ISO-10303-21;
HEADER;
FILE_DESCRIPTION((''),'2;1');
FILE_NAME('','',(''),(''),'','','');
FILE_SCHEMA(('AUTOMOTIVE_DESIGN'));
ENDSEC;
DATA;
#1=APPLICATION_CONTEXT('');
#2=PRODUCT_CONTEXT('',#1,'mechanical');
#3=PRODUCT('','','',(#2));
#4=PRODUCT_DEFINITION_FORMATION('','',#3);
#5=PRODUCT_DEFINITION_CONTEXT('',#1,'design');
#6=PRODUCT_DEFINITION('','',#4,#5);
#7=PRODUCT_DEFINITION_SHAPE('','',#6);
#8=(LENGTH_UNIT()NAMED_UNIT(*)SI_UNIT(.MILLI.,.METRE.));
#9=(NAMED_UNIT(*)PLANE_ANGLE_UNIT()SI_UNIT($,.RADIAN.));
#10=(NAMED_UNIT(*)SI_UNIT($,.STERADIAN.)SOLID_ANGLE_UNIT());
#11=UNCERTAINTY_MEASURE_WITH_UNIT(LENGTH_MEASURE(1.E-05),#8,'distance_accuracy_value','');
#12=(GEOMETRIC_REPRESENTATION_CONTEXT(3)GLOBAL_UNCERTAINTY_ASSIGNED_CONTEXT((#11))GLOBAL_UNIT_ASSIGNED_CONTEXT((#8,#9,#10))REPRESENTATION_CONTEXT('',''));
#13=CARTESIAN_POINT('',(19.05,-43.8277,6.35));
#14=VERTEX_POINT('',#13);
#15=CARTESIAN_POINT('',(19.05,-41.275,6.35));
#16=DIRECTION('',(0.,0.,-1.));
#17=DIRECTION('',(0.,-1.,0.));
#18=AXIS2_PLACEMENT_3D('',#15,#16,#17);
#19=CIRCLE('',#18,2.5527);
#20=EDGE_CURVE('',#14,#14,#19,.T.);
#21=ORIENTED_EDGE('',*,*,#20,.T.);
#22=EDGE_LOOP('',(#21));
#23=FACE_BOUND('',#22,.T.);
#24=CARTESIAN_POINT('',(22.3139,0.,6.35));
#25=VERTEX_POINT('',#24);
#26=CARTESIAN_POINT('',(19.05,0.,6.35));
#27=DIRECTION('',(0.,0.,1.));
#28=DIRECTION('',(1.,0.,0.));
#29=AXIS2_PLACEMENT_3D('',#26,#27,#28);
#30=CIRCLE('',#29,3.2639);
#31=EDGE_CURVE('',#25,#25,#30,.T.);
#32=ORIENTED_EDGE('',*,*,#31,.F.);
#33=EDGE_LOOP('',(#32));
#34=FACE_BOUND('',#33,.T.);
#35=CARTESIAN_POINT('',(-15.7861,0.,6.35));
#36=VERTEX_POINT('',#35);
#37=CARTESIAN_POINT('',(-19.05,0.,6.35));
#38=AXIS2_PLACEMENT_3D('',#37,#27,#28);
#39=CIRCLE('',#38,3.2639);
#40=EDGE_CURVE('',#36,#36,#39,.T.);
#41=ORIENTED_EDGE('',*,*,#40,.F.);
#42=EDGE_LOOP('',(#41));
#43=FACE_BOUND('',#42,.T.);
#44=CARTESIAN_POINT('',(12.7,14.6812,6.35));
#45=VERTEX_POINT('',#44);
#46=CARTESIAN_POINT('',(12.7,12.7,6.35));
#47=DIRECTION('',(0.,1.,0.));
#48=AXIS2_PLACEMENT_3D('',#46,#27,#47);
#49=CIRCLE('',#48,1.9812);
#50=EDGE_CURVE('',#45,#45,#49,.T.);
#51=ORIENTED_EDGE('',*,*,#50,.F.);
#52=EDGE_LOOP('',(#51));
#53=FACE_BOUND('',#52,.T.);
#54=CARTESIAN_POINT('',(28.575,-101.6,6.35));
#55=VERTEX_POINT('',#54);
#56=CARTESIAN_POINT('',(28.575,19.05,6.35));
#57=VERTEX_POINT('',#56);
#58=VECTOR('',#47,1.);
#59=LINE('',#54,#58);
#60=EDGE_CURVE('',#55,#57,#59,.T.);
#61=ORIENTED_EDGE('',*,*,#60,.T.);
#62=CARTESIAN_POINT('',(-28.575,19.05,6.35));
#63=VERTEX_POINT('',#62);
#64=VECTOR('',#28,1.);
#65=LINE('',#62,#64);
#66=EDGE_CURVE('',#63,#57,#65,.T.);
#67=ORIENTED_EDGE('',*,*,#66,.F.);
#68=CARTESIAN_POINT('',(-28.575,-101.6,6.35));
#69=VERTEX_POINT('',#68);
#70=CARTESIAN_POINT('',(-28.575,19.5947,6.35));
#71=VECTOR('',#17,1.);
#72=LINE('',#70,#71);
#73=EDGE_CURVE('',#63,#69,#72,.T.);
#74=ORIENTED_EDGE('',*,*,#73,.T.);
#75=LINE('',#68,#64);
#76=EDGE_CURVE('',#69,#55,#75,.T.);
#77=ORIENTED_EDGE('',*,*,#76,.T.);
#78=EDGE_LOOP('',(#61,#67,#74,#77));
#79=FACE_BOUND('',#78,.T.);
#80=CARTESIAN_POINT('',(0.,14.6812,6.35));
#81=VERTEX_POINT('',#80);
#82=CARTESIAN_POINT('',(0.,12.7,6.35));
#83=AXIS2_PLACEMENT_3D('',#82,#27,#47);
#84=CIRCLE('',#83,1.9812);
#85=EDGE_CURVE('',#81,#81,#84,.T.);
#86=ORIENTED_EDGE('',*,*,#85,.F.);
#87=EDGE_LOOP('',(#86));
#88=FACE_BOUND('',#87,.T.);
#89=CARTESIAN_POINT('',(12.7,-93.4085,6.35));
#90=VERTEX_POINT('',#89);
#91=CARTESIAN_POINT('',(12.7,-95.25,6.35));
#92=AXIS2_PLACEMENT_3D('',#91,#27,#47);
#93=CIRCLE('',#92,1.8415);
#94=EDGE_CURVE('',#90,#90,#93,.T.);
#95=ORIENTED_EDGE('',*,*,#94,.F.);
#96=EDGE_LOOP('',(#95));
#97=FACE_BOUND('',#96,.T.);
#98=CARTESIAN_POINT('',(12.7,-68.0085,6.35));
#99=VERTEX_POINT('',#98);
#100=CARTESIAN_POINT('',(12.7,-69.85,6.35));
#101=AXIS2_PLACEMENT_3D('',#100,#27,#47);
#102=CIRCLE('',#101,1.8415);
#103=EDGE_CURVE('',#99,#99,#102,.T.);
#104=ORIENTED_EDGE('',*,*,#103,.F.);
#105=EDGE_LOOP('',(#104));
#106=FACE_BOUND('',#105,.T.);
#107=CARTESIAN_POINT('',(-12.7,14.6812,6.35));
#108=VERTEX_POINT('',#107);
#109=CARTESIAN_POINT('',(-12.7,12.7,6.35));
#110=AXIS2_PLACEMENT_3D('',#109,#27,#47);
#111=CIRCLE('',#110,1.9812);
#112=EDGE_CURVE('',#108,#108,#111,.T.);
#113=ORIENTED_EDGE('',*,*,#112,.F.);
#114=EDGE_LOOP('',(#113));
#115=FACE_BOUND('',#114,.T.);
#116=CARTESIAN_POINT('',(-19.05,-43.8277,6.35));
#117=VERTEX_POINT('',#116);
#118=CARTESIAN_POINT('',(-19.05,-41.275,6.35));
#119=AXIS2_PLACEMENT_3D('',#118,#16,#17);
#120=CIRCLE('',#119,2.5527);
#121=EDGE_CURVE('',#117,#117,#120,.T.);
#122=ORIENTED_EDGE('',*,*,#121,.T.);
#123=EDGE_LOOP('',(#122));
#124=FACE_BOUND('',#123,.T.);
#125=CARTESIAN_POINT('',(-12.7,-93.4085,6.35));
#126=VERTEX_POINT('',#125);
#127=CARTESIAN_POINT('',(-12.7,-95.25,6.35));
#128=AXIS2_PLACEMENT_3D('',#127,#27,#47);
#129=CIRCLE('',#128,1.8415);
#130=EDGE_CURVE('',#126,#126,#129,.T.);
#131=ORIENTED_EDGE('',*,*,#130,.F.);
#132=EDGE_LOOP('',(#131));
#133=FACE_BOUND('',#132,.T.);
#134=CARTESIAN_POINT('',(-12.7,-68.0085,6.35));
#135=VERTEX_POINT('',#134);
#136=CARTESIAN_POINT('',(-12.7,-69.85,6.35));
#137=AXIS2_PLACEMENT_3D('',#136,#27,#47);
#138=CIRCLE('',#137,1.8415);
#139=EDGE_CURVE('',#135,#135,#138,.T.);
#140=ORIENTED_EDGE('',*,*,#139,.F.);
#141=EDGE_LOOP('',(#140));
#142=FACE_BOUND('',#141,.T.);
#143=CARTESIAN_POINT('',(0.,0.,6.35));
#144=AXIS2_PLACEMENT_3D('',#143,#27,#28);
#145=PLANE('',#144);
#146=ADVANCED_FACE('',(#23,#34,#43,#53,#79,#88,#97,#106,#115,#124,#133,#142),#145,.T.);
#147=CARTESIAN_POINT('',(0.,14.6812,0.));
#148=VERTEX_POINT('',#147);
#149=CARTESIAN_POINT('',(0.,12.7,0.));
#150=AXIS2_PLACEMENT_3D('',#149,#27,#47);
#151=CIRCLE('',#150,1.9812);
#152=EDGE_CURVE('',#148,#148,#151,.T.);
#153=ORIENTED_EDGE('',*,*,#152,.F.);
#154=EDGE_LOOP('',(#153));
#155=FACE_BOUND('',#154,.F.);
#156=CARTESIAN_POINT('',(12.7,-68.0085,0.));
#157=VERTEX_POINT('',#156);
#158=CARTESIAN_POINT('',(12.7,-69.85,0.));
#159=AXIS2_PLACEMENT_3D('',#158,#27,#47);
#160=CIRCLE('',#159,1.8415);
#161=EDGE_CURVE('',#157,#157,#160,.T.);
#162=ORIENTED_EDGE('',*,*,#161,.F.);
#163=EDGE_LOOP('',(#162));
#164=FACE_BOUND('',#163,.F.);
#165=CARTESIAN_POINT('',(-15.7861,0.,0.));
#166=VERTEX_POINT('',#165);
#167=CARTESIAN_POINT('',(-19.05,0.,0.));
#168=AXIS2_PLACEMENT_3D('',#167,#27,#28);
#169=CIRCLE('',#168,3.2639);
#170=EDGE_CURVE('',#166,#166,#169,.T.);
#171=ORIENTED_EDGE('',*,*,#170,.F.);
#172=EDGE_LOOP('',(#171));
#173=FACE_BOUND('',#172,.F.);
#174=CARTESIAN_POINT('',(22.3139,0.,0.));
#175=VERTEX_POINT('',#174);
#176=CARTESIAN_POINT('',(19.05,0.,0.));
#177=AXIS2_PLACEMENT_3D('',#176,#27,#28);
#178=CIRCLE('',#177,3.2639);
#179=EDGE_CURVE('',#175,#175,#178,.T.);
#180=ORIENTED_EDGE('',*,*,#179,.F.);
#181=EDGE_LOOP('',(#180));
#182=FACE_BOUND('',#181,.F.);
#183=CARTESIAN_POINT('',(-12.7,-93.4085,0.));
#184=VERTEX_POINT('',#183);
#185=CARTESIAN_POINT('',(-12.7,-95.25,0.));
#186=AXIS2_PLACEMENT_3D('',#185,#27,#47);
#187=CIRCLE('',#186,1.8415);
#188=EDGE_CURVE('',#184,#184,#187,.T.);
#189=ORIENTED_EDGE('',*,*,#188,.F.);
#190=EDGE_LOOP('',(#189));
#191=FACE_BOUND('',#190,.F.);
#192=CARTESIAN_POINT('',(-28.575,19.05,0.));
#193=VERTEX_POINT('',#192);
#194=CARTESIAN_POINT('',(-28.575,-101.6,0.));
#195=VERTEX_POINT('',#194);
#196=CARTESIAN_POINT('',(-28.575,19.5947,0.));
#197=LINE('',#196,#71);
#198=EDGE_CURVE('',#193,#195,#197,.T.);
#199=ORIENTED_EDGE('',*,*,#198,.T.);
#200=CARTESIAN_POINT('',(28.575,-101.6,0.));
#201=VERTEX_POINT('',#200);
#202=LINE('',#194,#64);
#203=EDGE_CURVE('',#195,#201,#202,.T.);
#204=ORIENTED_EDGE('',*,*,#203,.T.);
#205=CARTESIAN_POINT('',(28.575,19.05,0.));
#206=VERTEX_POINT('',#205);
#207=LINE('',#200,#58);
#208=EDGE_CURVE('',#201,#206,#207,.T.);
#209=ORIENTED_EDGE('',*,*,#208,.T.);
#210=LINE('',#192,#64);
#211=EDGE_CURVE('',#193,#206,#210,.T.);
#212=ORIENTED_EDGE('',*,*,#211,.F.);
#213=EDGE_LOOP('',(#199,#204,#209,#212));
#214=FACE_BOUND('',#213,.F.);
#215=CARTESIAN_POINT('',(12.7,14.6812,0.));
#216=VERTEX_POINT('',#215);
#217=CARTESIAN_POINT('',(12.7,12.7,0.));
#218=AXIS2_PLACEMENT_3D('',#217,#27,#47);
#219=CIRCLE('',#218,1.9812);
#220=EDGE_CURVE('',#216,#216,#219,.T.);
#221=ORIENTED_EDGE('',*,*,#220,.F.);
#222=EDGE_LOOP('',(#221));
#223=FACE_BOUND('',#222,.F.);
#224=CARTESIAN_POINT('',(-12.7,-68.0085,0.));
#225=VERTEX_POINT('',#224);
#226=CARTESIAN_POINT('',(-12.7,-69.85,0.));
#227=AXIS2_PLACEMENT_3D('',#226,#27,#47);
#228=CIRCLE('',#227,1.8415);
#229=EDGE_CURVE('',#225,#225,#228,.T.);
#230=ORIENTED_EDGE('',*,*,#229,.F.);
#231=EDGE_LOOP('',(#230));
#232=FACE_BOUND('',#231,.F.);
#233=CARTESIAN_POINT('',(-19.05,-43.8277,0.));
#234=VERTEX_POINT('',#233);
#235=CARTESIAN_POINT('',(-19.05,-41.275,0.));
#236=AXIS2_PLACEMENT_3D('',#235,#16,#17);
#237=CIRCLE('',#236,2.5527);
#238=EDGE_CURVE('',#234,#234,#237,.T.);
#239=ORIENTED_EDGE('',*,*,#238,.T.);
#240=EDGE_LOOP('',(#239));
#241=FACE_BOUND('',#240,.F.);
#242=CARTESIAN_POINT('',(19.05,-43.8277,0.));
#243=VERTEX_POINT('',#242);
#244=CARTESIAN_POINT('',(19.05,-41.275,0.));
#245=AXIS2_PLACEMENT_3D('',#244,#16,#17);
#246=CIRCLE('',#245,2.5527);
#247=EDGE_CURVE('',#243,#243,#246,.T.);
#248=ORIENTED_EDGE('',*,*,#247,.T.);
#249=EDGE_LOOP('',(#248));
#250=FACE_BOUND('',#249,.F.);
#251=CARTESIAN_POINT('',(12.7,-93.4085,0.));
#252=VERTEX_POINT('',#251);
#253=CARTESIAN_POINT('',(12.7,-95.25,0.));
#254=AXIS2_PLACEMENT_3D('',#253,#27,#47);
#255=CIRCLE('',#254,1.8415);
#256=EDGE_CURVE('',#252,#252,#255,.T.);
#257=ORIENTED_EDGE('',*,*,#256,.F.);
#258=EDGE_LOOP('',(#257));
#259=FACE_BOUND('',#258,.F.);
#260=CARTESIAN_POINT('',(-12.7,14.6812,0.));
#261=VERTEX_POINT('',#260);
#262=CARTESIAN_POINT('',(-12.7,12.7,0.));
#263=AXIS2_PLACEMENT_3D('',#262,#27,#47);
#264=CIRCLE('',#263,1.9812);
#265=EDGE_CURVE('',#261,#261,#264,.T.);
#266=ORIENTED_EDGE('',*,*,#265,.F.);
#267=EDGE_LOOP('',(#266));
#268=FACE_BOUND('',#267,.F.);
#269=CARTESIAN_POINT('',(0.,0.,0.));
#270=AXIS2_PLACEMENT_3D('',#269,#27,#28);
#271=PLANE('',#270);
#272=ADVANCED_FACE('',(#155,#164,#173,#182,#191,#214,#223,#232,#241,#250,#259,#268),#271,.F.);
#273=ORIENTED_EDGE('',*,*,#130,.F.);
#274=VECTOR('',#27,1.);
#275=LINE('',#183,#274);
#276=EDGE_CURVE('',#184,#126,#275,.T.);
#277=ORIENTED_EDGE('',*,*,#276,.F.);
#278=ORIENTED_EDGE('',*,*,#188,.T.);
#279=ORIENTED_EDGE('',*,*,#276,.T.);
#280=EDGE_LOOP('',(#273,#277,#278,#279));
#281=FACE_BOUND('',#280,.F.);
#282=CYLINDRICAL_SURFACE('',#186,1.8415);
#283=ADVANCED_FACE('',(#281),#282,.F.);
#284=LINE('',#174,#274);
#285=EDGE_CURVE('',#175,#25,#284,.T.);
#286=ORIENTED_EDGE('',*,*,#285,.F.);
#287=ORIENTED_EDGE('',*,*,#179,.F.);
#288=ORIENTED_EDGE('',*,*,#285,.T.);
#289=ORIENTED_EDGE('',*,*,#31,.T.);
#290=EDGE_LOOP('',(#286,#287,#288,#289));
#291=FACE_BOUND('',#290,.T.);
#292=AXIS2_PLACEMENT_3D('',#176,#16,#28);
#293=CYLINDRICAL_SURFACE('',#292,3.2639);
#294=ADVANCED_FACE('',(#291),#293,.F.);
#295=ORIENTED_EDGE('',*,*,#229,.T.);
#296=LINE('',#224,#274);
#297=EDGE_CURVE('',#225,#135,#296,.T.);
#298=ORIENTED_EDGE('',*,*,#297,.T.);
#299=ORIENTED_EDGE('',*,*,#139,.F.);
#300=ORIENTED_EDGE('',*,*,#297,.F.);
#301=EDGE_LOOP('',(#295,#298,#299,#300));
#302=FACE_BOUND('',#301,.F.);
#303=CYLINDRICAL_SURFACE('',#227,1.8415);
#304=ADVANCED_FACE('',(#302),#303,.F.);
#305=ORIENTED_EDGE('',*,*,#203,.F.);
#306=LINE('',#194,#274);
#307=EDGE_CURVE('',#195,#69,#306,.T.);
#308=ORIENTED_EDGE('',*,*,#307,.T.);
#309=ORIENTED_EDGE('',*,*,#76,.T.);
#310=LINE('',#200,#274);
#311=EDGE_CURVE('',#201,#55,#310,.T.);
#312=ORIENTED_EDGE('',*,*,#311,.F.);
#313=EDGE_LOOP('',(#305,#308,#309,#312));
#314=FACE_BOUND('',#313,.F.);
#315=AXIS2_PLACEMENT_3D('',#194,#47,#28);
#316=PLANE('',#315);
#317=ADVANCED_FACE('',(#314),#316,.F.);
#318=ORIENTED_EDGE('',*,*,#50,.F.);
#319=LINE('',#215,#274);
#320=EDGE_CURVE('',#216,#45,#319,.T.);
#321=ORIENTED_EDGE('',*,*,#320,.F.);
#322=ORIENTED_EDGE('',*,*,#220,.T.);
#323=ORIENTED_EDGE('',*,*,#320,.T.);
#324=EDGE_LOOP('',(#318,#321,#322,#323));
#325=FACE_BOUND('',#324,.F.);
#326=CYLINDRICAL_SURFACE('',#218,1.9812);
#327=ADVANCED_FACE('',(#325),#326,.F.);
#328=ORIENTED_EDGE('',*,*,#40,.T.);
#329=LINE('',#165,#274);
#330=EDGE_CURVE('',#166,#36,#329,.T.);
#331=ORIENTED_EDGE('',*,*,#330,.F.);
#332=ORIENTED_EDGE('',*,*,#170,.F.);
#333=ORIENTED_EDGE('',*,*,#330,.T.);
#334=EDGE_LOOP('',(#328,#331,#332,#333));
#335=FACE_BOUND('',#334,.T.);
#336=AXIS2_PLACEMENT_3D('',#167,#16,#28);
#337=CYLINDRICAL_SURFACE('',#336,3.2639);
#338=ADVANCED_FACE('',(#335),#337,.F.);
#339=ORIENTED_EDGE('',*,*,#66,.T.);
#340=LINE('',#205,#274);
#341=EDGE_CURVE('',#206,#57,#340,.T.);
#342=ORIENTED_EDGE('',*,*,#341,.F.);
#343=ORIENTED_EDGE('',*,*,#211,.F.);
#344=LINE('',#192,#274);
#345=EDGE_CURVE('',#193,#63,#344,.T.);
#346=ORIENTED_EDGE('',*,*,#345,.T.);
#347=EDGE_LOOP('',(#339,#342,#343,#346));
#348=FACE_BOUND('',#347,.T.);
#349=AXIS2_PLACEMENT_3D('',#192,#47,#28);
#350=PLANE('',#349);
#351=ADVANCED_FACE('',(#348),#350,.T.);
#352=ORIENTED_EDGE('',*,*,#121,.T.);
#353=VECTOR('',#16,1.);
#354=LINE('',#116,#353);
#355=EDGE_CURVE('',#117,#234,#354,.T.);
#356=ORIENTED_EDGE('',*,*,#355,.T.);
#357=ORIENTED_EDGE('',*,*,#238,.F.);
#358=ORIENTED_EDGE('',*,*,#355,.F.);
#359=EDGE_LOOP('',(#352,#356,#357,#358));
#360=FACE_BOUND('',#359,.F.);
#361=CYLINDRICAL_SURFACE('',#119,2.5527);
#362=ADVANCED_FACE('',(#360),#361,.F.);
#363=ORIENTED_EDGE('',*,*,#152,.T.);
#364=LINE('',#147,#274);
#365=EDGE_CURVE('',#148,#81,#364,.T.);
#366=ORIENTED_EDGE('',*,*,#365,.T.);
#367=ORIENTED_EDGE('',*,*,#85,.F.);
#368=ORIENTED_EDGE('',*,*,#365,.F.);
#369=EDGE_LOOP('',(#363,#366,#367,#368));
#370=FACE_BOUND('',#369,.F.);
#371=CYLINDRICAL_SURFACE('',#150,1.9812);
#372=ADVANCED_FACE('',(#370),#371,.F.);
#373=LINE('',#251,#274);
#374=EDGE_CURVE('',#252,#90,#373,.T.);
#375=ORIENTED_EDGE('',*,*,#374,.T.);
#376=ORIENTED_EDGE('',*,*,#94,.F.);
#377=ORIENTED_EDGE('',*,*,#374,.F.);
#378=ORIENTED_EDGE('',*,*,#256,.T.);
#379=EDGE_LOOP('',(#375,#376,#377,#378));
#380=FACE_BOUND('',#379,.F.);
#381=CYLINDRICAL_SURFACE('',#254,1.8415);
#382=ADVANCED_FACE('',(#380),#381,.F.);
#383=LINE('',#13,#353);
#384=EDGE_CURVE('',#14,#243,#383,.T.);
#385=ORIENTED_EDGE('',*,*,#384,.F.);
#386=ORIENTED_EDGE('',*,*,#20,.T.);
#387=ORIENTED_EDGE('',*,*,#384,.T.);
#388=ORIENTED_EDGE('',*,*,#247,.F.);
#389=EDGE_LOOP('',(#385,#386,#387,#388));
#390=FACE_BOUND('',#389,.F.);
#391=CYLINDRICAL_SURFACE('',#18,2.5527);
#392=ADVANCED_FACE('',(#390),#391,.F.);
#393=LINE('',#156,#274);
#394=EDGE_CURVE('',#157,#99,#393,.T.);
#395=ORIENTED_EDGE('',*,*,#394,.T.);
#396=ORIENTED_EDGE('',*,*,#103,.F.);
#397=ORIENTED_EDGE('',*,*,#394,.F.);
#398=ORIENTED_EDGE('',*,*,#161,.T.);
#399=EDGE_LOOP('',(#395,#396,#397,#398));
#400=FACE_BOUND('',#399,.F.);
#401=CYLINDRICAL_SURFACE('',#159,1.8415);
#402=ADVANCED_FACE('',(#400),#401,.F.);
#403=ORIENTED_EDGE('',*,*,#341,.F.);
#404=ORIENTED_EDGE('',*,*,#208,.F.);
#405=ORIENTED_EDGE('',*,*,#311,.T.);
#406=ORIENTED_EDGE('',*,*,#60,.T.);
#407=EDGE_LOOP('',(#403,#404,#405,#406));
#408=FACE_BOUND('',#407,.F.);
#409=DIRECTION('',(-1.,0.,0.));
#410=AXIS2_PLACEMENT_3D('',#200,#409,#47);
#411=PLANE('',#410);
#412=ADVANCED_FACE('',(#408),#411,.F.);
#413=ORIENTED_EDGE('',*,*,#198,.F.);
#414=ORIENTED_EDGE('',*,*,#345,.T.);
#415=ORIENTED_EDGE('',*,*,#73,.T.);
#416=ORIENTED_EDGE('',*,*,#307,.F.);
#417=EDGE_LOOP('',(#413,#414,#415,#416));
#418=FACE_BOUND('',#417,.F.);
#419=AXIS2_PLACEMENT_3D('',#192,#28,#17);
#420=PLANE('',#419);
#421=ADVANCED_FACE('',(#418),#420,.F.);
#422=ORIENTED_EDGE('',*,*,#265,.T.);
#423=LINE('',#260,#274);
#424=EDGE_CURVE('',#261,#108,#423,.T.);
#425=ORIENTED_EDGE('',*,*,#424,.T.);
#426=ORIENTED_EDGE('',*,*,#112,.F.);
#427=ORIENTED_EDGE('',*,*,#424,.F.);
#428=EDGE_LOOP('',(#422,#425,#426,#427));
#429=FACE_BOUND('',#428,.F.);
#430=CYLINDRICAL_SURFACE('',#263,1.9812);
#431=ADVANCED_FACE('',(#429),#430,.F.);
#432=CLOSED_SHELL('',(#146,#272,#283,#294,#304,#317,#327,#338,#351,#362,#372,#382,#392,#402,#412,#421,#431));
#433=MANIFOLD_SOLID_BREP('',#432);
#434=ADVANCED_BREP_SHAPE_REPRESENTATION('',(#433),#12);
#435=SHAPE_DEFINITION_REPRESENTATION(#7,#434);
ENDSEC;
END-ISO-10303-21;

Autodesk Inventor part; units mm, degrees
ref_plane "YZ Plane" through (0, 0, 0) normal (1, 0, 0) x (0, 1, 0)
ref_plane "XZ Plane" through (0, 0, 0) normal (0, 1, 0) x (-1, 0, 0)
ref_plane "XY Plane" through (0, 0, 0) normal (0, 0, 1) x (1, 0, 0)
sketch "Sketch1" plane through (0, 0, 0) normal (0, 0, 1) x (1, 0, 0)
  line L0 (-19.05, 0) -> (19.05, 0) construction
  circle A0 centre (-19.05, 0) radius 3.2639
  circle A1 centre (19.05, 0) radius 3.2639
  line L1 (-28.575, 19.5947) -> (-28.575, -101.6)
  line L2 (-28.575, -101.6) -> (28.575, -101.6)
  line L3 (28.575, -101.6) -> (28.575, 19.5947)
  line L4 (-26.7151, 24.0849) -> (-4.4901, 46.3099)
  line L5 (4.4901, 46.3099) -> (26.7151, 24.0849)
  arc A2 (4.4901, 46.3099) -> (-4.4901, 46.3099) centre (0, 41.8197) ccw
  arc A3 (-26.7151, 24.0849) -> (-28.575, 19.5947) centre (-22.225, 19.5947) ccw
  arc A4 (28.575, 19.5947) -> (26.7151, 24.0849) centre (22.225, 19.5947) ccw
  line L6 (-28.575, 19.05) -> (28.575, 19.05)
  line L7 (-12.7, 12.7) -> (12.7, 12.7) construction
  line L8 (-12.7, -69.85) -> (12.7, -69.85) construction
  point P0 (0, 0)
  point P1 (0, 0)
  point P2 (0, 50.8)
  point P3 (28.575, 22.225)
  point P4 (-28.575, 22.225)
  point P5 (0, -101.6)
  point P6 (0, 12.7)
  point P7 (0, 12.7)
  point P8 (-12.7, -95.25)
  point P9 (12.7, -95.25)
  point P10 (0, -69.85)
  dimension "d0" = 6.5278
  dimension "d1" = 38.1
  dimension "d4" = 101.6
  dimension "d17" = 152.4
  dimension "d18" = 57.15
  dimension "d19" = 6.35
  dimension "d20" = 120.65
  dimension "d21" = 25.4
  dimension "d29" = 6.35
  dimension "d32" = 25.4
  dimension "d33" = 25.4
  dimension "d34" = 6.35
extrude "Extrusion1" add sketch "Sketch1" along normal blind 6.35 contours L6 L3 L2 L1
sketch "Sketch2" plane through (0, 0, 6.35) normal (0, 0, 1) x (1, 0, 0)
  line L0 (-19.05, -41.275) -> (19.05, -41.275) construction
  line L1 (-28.575, -101.6) -> (28.575, -101.6) projected
  point P0 (0, 0)
  point P1 (0, -41.275)
  dimension "d8" = 38.1
  dimension "d9" = 60.325
hole "Hole1" at (-19.05, -41.275, 6.35) at (19.05, -41.275, 6.35) direction (0, 0, -1) diameter 5.1054 end through all clearance for "Flat Head Machine Screw (82)" size "#10" standard "Ansi Unified Screw Threads"
hole "Hole2" at (-12.7, 12.7, 0) at (0, 12.7, 0) at (12.7, 12.7, 0) direction (0, 0, 1) diameter 3.9624 end through all thread size "10-32 UNF" class "2B" standard "ANSI Unified Screw Threads"
hole "Hole3" at (-12.7, -69.85, 0) at (12.7, -69.85, 0) at (-12.7, -95.25, 0) at (12.7, -95.25, 0) direction (0, 0, 1) diameter 3.683 end through all thread size "10-24 UNC" class "2B" standard "ANSI Unified Screw Threads"
properties part number "CL7-005aa" material "Aluminum 6061"
